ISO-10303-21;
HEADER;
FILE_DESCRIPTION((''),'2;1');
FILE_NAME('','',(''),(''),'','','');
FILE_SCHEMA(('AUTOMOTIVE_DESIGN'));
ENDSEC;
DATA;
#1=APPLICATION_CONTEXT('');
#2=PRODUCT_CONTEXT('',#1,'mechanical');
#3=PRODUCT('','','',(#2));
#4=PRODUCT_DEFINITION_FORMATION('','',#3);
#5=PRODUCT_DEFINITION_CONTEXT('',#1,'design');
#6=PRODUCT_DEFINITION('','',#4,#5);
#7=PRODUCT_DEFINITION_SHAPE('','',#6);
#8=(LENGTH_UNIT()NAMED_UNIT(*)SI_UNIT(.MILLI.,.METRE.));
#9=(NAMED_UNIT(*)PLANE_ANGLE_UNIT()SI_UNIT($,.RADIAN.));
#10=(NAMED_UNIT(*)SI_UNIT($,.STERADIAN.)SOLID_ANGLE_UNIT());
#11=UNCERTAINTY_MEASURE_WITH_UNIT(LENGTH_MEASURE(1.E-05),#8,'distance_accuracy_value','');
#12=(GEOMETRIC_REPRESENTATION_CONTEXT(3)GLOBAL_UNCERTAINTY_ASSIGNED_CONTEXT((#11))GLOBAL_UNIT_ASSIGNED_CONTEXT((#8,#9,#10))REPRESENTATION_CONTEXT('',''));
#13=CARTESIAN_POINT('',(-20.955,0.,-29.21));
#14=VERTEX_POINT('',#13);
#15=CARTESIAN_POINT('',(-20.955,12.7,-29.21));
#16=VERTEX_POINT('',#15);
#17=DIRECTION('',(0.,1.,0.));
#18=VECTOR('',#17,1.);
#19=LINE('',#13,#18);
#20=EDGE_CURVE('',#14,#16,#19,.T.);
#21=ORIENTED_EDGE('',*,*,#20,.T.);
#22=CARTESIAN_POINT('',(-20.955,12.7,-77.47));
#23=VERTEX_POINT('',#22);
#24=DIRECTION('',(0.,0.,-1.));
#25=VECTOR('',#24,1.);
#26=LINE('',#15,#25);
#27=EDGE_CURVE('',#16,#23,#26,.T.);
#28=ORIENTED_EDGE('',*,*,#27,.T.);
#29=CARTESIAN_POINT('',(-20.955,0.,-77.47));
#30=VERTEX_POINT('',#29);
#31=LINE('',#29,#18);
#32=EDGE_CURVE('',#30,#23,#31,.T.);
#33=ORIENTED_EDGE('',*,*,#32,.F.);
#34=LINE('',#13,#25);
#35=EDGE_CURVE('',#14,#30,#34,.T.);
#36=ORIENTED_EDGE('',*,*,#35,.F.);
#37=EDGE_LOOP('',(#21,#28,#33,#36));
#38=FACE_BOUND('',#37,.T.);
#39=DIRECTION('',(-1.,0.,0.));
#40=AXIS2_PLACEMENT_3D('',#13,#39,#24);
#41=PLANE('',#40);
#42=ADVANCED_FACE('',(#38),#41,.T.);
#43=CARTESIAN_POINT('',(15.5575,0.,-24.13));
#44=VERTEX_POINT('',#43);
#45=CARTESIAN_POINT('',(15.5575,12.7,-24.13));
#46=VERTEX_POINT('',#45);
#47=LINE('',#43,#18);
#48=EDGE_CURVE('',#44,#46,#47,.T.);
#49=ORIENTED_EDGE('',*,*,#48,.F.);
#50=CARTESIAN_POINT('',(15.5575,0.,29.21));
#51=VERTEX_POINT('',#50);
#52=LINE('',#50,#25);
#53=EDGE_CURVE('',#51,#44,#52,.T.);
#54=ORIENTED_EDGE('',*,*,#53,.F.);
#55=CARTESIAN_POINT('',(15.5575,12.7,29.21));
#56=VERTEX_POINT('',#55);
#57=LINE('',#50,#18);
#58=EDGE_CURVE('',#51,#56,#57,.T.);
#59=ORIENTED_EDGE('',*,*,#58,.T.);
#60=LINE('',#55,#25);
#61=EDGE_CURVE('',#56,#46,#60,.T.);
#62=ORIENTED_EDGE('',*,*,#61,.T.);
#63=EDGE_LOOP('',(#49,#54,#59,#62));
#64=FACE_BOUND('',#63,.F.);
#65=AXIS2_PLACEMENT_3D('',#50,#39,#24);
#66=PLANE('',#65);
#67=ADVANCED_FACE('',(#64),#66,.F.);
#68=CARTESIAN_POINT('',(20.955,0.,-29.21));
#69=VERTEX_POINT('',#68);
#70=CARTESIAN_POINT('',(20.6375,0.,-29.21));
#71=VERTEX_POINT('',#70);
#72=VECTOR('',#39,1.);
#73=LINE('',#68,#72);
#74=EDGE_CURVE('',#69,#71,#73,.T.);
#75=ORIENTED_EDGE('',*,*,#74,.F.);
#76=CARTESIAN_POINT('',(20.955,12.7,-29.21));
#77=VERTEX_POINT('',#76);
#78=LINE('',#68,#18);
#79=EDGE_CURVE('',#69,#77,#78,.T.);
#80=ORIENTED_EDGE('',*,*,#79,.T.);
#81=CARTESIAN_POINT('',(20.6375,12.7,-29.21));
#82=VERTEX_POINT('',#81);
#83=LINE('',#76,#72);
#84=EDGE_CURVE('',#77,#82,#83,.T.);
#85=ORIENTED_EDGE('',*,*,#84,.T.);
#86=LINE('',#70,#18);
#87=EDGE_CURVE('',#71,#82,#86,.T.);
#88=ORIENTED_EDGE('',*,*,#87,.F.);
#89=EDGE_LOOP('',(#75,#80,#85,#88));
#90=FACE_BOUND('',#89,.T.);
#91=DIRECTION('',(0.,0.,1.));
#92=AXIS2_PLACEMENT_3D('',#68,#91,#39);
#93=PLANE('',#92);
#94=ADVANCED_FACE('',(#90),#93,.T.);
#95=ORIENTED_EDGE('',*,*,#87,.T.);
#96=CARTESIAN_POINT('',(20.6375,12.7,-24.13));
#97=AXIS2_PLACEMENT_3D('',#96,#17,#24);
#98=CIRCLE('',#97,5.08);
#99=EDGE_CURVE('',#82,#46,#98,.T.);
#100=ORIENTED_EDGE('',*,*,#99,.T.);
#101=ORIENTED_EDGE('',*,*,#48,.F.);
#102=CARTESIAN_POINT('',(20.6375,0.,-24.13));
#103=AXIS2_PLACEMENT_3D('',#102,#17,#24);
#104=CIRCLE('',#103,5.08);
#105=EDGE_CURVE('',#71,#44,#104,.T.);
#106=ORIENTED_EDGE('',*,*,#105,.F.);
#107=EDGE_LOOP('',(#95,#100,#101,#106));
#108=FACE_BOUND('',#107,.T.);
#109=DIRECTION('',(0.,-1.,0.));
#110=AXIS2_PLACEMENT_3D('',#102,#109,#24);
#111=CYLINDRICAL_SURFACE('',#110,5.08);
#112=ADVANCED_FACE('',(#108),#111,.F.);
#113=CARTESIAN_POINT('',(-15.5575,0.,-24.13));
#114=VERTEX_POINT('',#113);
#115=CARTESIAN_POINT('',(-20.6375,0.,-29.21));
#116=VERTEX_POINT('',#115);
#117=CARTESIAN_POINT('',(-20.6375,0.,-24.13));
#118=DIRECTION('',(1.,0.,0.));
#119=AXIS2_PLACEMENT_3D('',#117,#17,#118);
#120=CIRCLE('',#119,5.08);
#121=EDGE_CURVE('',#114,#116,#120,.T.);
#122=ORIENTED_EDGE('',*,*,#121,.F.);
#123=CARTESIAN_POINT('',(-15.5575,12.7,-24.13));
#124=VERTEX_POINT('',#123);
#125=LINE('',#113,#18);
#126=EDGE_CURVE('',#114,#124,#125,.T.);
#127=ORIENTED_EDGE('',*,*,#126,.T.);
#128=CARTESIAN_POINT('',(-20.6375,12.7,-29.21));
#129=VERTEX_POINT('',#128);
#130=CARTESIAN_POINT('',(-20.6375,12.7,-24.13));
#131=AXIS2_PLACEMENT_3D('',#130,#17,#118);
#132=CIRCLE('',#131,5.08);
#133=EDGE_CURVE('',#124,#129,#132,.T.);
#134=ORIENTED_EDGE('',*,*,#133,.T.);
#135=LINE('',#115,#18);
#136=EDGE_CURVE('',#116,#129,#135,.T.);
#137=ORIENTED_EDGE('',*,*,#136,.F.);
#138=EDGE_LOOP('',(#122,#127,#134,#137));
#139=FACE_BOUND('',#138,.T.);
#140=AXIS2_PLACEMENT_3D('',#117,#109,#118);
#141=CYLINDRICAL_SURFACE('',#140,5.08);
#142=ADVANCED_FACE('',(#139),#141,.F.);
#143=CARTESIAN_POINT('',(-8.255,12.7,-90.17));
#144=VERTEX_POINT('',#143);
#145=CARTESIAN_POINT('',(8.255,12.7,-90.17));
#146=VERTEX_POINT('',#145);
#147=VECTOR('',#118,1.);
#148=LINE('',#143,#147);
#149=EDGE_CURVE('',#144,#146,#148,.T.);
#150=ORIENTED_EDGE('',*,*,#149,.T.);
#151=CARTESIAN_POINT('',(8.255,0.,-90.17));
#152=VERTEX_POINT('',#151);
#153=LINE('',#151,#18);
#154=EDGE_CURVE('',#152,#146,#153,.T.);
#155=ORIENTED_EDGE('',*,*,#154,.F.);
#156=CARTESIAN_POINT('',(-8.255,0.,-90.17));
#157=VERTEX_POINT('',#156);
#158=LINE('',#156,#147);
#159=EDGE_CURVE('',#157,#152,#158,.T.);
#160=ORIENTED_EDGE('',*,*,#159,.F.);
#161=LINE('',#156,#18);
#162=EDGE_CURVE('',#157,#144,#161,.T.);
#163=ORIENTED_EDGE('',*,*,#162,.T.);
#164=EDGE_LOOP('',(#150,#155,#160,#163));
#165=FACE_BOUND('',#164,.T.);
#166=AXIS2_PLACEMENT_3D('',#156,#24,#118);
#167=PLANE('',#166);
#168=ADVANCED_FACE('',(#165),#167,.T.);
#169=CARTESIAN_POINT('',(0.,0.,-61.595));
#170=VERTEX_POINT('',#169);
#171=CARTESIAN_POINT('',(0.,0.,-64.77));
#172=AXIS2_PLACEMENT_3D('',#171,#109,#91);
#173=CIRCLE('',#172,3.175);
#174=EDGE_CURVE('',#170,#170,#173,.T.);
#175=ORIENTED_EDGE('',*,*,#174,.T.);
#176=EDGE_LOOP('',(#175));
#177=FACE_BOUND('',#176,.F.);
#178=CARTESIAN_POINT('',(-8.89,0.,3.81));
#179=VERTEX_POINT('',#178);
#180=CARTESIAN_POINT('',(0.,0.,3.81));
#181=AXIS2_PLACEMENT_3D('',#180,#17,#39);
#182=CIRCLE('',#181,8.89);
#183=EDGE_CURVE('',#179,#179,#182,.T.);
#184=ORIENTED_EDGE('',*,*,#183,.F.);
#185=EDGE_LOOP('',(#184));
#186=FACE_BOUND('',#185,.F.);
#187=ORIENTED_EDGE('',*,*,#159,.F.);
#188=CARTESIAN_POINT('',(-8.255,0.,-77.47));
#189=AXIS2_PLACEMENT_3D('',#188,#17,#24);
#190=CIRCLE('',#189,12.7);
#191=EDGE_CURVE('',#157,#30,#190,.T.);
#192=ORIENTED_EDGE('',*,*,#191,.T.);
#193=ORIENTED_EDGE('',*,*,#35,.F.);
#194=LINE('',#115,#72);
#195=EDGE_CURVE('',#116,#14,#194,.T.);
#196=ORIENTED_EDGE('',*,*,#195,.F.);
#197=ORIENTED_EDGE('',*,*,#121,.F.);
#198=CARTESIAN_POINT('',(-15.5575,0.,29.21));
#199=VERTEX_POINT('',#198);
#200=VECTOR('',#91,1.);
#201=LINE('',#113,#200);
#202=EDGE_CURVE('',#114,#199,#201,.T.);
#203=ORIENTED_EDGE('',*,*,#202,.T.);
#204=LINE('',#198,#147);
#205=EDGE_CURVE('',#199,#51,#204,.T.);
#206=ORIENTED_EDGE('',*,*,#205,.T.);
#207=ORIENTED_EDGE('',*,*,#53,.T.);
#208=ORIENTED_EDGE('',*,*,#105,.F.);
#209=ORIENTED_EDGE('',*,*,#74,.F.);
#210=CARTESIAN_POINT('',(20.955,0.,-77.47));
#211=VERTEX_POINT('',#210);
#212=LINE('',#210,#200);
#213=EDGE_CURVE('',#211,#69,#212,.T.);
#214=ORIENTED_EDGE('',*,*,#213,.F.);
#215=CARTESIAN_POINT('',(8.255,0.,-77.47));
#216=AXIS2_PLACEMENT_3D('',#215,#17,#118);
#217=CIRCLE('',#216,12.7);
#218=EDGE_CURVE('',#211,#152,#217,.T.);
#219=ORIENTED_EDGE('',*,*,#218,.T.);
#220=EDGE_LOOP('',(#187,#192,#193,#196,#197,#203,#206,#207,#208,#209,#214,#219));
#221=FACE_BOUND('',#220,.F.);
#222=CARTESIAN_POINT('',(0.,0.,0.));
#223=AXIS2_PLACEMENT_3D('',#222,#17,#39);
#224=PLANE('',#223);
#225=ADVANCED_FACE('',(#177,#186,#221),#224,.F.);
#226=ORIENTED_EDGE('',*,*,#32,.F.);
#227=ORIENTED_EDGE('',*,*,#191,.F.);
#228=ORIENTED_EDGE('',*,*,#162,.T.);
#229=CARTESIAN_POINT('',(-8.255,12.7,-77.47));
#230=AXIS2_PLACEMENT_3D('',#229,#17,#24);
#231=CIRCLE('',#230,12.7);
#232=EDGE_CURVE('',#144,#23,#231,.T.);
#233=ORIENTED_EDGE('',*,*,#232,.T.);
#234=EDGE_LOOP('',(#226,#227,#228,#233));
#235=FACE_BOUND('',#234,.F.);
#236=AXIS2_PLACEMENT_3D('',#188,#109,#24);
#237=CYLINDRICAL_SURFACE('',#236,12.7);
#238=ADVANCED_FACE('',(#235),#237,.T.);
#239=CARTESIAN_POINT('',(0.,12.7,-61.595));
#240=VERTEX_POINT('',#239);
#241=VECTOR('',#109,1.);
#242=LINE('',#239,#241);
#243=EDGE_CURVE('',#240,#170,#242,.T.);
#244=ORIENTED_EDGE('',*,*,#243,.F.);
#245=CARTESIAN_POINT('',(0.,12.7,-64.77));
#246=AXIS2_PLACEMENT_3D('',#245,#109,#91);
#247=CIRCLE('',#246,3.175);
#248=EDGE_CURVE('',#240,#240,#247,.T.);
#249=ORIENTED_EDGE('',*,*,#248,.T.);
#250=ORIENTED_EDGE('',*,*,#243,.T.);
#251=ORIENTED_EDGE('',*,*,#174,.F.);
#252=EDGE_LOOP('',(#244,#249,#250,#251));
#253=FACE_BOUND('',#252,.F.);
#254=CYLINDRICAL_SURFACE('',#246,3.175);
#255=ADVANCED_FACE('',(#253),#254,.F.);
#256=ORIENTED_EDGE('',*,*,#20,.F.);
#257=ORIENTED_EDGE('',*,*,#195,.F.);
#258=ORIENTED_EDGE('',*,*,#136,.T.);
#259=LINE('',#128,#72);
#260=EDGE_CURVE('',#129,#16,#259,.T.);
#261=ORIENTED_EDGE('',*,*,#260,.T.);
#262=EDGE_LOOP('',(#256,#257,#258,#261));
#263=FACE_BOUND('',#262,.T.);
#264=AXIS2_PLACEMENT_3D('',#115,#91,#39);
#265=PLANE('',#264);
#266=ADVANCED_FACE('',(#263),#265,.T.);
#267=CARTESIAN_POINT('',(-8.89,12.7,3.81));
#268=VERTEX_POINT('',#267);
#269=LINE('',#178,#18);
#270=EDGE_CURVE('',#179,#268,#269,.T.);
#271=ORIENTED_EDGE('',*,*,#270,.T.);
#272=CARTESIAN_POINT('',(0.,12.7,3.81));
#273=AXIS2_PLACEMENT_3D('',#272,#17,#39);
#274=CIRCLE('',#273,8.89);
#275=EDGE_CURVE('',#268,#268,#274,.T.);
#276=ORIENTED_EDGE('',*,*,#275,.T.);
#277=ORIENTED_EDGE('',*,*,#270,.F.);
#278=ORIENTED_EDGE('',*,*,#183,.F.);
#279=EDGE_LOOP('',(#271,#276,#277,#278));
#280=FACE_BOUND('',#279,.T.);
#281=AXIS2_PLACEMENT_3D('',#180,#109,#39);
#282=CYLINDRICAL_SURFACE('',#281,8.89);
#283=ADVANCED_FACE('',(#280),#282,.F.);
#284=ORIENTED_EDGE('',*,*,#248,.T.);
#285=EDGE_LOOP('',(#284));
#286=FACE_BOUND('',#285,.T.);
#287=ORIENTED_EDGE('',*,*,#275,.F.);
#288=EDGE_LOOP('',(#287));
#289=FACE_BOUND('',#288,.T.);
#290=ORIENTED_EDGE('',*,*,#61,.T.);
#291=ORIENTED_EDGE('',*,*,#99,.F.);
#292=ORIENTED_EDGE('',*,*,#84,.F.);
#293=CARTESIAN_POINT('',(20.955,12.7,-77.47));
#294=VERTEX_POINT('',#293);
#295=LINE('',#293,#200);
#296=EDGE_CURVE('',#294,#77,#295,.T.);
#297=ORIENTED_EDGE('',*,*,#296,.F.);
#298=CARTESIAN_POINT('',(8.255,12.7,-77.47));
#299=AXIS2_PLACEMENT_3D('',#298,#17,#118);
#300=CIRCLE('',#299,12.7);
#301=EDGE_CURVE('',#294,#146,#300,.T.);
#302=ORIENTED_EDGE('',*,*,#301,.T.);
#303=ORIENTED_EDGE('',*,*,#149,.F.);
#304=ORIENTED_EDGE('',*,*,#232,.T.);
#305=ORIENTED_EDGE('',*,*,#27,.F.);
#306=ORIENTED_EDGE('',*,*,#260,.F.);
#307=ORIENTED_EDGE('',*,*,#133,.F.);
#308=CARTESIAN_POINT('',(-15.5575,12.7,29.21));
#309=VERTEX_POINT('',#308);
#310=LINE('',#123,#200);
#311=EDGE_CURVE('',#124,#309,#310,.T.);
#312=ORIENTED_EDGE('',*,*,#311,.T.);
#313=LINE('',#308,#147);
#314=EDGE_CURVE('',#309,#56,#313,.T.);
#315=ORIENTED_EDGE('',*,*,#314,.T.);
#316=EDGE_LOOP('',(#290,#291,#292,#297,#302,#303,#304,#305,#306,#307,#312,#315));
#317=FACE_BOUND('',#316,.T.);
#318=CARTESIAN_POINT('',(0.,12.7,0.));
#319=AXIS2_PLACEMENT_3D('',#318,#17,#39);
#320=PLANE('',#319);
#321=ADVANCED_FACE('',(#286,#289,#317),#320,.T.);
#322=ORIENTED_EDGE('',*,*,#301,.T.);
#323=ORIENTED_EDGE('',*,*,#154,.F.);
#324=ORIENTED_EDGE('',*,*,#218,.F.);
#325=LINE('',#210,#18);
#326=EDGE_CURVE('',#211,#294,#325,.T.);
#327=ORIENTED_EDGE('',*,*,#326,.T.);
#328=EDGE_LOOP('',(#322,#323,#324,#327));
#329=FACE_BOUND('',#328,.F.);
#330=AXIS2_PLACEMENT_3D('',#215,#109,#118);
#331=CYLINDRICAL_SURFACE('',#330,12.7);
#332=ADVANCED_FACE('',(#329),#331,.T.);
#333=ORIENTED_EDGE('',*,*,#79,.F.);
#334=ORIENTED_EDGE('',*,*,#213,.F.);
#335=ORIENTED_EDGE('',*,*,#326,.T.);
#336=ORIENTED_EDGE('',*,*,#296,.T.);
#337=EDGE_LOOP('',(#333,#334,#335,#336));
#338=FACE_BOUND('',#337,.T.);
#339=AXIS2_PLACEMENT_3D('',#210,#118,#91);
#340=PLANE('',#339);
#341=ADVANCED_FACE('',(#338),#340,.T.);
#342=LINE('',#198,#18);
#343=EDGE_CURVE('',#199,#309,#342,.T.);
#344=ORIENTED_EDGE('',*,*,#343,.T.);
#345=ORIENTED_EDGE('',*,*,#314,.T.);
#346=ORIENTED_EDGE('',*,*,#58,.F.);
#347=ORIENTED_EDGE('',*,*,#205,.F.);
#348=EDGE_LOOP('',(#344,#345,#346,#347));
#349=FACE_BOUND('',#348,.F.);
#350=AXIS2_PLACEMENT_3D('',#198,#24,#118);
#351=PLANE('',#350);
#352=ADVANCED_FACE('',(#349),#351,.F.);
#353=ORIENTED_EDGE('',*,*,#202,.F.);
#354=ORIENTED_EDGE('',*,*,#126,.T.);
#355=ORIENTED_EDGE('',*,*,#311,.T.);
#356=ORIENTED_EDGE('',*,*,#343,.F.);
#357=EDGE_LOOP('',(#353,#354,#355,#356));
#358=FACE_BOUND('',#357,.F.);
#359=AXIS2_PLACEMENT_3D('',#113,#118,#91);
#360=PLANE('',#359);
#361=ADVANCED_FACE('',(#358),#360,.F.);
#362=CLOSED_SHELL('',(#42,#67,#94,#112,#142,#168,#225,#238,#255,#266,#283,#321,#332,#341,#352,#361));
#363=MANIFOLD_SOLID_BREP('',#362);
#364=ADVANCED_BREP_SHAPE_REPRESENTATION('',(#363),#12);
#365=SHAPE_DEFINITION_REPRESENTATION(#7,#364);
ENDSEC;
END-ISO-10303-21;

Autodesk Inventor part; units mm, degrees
ref_plane "YZ Plane" through (0, 0, 0) normal (1, 0, 0) x (0, 1, 0)
ref_plane "XZ Plane" through (0, 0, 0) normal (0, 1, 0) x (-1, 0, 0)
ref_plane "XY Plane" through (0, 0, 0) normal (0, 0, 1) x (1, 0, 0)
sketch "Sketch1" plane through (0, 0, 0) normal (0, 1, 0) x (-1, 0, 0)
  line L0 (15.5575, -24.13) -> (15.5575, 29.21)
  line L1 (15.5575, 29.21) -> (-15.5575, 29.21)
  line L2 (-15.5575, 29.21) -> (-15.5575, -24.13)
  line L3 (-15.5575, -29.21) -> (15.5575, 29.21) construction
  line L4 (15.5575, -29.21) -> (-15.5575, 29.21) construction
  line L5 (20.6375, -29.21) -> (20.955, -29.21)
  line L6 (20.955, -29.21) -> (20.955, -77.47)
  line L7 (8.255, -90.17) -> (-8.255, -90.17)
  line L8 (-20.955, -77.47) -> (-20.955, -29.21)
  line L9 (-20.955, -29.21) -> (-20.6375, -29.21)
  arc A0 (15.5575, -24.13) -> (20.6375, -29.21) centre (20.6375, -24.13) ccw
  arc A1 (-20.6375, -29.21) -> (-15.5575, -24.13) centre (-20.6375, -24.13) ccw
  circle A2 centre (0, 3.81) radius 8.89
  arc A3 (8.255, -90.17) -> (20.955, -77.47) centre (8.255, -77.47) ccw
  arc A4 (-20.955, -77.47) -> (-8.255, -90.17) centre (-8.255, -77.47) ccw
  point P0 (0, 0)
  point P1 (20.955, -90.17)
  point P2 (-20.955, -90.17)
  dimension "d0" = 5.08
  dimension "d1" = 31.115
  dimension "d2" = 41.91
  dimension "d3" = 60.96
  dimension "d4" = 119.38
  dimension "d5" = 17.78
  dimension "d6" = 25.4
  dimension "d7" = 12.7
extrude "Extrusion1" add sketch "Sketch1" along normal blind 12.7
sketch "Sketch2" plane through (0, 12.7, 0) normal (0, 1, 0) x (1, 0, 0)
  line L0 (-8.255, 90.17) -> (8.255, 90.17) projected
  point P0 (0, 0)
  point P1 (0, 64.77)
  dimension "d19" = 25.4
hole "Hole2" at (0, 12.7, -64.77) direction (0, -1, 0) diameter 6.35 end through all
properties part number "Fixture_Airpot_Support"
